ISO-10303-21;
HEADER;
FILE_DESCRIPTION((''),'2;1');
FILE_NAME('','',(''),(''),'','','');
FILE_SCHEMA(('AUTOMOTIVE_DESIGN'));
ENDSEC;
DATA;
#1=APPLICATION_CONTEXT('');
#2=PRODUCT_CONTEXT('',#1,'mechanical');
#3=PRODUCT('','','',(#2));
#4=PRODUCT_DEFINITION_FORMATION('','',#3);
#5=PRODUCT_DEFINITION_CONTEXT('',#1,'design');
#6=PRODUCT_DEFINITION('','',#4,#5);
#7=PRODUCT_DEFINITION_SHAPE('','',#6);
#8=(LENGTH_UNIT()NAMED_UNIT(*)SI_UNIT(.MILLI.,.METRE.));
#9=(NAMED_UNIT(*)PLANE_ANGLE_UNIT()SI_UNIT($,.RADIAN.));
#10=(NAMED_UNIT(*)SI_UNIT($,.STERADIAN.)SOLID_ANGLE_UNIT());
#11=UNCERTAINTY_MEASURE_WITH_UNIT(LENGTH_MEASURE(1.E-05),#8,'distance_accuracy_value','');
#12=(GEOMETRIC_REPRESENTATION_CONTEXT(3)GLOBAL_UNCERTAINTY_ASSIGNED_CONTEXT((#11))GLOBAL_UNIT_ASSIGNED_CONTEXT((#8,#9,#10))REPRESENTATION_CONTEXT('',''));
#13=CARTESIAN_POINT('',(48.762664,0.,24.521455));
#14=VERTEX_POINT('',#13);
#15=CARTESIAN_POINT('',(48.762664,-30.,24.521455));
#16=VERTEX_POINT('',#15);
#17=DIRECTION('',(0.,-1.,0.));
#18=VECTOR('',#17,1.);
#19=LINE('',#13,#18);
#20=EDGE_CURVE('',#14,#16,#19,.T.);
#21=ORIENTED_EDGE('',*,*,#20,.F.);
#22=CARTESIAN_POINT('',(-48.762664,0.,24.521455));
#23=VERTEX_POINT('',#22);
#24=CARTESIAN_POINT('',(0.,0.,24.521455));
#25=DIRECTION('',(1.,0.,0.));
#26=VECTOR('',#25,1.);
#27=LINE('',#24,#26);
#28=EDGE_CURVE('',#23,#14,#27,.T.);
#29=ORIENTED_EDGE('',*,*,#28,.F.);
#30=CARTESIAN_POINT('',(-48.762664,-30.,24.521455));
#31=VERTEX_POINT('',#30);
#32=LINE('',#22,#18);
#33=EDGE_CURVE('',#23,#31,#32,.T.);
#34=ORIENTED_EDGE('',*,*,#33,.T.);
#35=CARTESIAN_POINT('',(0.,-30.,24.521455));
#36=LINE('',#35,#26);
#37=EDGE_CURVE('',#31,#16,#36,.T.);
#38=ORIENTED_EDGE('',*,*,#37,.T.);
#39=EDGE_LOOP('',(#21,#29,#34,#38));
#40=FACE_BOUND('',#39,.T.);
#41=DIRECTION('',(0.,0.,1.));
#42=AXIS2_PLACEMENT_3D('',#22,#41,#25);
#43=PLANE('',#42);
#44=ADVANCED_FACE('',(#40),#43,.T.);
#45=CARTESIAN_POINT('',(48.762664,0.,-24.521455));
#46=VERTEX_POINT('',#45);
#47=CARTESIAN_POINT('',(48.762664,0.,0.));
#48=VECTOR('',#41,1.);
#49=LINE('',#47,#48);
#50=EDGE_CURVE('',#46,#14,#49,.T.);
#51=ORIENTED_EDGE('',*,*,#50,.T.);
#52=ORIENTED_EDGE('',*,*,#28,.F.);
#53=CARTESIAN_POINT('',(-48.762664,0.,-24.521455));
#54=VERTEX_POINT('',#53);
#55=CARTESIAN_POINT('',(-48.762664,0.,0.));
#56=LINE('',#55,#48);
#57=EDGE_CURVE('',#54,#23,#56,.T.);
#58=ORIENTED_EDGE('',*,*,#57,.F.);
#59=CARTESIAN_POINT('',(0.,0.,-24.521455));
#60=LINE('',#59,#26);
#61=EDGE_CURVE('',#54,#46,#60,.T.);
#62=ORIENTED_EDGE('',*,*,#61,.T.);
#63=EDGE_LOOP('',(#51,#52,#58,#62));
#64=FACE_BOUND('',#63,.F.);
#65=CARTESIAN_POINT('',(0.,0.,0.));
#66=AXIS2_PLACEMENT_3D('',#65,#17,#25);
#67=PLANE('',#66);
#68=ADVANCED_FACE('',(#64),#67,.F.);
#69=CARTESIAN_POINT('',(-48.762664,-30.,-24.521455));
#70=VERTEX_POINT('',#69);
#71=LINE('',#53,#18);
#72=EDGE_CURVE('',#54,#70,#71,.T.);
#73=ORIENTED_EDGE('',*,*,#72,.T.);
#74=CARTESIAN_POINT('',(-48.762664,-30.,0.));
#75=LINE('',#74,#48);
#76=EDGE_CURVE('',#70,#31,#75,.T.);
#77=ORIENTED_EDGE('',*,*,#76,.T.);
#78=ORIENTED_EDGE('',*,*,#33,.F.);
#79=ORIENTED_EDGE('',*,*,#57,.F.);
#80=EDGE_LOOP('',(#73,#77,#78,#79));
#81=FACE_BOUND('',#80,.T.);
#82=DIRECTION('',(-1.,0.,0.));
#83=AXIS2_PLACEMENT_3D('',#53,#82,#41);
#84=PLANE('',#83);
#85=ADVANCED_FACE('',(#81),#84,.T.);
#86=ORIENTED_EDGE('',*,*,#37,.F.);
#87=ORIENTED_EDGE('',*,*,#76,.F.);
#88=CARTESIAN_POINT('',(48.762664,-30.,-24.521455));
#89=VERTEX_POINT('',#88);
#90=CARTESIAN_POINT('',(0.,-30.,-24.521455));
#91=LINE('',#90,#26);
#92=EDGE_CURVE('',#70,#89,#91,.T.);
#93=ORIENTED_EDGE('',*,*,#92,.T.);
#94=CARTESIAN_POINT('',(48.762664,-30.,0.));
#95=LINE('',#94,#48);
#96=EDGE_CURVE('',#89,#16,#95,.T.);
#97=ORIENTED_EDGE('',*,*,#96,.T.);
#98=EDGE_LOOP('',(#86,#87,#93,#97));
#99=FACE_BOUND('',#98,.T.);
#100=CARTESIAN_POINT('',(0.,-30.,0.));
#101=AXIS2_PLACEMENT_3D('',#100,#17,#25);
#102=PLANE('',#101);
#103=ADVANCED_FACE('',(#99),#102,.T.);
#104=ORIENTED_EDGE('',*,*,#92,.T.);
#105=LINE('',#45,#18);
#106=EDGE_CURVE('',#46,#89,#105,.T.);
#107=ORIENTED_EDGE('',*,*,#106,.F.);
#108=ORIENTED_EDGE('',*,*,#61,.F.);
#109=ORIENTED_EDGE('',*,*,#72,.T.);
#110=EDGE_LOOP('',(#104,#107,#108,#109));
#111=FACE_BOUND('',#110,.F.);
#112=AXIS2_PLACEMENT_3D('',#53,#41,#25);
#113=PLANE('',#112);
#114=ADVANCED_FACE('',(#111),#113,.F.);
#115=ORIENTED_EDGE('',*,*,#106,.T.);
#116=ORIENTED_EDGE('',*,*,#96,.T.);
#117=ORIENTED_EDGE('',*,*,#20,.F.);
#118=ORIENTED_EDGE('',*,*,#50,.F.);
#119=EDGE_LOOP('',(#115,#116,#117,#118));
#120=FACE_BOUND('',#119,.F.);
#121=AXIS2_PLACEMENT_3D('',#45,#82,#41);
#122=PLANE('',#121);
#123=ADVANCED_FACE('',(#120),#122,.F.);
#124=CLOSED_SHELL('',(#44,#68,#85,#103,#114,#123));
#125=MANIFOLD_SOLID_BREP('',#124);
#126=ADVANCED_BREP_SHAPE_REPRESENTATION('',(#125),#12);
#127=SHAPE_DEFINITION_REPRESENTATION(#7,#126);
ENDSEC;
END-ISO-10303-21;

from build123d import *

# Parameters (mm, degrees)
F1_W     = 97.525328
F1_H     = 49.04291
F2_DEPTH = 30


with BuildPart() as f2:
    # F1 (on face) → F2 (new body)
    with BuildSketch(Plane.XZ):
        Rectangle(F1_W, F1_H)
    extrude(amount=F2_DEPTH)


solid = f2.part
